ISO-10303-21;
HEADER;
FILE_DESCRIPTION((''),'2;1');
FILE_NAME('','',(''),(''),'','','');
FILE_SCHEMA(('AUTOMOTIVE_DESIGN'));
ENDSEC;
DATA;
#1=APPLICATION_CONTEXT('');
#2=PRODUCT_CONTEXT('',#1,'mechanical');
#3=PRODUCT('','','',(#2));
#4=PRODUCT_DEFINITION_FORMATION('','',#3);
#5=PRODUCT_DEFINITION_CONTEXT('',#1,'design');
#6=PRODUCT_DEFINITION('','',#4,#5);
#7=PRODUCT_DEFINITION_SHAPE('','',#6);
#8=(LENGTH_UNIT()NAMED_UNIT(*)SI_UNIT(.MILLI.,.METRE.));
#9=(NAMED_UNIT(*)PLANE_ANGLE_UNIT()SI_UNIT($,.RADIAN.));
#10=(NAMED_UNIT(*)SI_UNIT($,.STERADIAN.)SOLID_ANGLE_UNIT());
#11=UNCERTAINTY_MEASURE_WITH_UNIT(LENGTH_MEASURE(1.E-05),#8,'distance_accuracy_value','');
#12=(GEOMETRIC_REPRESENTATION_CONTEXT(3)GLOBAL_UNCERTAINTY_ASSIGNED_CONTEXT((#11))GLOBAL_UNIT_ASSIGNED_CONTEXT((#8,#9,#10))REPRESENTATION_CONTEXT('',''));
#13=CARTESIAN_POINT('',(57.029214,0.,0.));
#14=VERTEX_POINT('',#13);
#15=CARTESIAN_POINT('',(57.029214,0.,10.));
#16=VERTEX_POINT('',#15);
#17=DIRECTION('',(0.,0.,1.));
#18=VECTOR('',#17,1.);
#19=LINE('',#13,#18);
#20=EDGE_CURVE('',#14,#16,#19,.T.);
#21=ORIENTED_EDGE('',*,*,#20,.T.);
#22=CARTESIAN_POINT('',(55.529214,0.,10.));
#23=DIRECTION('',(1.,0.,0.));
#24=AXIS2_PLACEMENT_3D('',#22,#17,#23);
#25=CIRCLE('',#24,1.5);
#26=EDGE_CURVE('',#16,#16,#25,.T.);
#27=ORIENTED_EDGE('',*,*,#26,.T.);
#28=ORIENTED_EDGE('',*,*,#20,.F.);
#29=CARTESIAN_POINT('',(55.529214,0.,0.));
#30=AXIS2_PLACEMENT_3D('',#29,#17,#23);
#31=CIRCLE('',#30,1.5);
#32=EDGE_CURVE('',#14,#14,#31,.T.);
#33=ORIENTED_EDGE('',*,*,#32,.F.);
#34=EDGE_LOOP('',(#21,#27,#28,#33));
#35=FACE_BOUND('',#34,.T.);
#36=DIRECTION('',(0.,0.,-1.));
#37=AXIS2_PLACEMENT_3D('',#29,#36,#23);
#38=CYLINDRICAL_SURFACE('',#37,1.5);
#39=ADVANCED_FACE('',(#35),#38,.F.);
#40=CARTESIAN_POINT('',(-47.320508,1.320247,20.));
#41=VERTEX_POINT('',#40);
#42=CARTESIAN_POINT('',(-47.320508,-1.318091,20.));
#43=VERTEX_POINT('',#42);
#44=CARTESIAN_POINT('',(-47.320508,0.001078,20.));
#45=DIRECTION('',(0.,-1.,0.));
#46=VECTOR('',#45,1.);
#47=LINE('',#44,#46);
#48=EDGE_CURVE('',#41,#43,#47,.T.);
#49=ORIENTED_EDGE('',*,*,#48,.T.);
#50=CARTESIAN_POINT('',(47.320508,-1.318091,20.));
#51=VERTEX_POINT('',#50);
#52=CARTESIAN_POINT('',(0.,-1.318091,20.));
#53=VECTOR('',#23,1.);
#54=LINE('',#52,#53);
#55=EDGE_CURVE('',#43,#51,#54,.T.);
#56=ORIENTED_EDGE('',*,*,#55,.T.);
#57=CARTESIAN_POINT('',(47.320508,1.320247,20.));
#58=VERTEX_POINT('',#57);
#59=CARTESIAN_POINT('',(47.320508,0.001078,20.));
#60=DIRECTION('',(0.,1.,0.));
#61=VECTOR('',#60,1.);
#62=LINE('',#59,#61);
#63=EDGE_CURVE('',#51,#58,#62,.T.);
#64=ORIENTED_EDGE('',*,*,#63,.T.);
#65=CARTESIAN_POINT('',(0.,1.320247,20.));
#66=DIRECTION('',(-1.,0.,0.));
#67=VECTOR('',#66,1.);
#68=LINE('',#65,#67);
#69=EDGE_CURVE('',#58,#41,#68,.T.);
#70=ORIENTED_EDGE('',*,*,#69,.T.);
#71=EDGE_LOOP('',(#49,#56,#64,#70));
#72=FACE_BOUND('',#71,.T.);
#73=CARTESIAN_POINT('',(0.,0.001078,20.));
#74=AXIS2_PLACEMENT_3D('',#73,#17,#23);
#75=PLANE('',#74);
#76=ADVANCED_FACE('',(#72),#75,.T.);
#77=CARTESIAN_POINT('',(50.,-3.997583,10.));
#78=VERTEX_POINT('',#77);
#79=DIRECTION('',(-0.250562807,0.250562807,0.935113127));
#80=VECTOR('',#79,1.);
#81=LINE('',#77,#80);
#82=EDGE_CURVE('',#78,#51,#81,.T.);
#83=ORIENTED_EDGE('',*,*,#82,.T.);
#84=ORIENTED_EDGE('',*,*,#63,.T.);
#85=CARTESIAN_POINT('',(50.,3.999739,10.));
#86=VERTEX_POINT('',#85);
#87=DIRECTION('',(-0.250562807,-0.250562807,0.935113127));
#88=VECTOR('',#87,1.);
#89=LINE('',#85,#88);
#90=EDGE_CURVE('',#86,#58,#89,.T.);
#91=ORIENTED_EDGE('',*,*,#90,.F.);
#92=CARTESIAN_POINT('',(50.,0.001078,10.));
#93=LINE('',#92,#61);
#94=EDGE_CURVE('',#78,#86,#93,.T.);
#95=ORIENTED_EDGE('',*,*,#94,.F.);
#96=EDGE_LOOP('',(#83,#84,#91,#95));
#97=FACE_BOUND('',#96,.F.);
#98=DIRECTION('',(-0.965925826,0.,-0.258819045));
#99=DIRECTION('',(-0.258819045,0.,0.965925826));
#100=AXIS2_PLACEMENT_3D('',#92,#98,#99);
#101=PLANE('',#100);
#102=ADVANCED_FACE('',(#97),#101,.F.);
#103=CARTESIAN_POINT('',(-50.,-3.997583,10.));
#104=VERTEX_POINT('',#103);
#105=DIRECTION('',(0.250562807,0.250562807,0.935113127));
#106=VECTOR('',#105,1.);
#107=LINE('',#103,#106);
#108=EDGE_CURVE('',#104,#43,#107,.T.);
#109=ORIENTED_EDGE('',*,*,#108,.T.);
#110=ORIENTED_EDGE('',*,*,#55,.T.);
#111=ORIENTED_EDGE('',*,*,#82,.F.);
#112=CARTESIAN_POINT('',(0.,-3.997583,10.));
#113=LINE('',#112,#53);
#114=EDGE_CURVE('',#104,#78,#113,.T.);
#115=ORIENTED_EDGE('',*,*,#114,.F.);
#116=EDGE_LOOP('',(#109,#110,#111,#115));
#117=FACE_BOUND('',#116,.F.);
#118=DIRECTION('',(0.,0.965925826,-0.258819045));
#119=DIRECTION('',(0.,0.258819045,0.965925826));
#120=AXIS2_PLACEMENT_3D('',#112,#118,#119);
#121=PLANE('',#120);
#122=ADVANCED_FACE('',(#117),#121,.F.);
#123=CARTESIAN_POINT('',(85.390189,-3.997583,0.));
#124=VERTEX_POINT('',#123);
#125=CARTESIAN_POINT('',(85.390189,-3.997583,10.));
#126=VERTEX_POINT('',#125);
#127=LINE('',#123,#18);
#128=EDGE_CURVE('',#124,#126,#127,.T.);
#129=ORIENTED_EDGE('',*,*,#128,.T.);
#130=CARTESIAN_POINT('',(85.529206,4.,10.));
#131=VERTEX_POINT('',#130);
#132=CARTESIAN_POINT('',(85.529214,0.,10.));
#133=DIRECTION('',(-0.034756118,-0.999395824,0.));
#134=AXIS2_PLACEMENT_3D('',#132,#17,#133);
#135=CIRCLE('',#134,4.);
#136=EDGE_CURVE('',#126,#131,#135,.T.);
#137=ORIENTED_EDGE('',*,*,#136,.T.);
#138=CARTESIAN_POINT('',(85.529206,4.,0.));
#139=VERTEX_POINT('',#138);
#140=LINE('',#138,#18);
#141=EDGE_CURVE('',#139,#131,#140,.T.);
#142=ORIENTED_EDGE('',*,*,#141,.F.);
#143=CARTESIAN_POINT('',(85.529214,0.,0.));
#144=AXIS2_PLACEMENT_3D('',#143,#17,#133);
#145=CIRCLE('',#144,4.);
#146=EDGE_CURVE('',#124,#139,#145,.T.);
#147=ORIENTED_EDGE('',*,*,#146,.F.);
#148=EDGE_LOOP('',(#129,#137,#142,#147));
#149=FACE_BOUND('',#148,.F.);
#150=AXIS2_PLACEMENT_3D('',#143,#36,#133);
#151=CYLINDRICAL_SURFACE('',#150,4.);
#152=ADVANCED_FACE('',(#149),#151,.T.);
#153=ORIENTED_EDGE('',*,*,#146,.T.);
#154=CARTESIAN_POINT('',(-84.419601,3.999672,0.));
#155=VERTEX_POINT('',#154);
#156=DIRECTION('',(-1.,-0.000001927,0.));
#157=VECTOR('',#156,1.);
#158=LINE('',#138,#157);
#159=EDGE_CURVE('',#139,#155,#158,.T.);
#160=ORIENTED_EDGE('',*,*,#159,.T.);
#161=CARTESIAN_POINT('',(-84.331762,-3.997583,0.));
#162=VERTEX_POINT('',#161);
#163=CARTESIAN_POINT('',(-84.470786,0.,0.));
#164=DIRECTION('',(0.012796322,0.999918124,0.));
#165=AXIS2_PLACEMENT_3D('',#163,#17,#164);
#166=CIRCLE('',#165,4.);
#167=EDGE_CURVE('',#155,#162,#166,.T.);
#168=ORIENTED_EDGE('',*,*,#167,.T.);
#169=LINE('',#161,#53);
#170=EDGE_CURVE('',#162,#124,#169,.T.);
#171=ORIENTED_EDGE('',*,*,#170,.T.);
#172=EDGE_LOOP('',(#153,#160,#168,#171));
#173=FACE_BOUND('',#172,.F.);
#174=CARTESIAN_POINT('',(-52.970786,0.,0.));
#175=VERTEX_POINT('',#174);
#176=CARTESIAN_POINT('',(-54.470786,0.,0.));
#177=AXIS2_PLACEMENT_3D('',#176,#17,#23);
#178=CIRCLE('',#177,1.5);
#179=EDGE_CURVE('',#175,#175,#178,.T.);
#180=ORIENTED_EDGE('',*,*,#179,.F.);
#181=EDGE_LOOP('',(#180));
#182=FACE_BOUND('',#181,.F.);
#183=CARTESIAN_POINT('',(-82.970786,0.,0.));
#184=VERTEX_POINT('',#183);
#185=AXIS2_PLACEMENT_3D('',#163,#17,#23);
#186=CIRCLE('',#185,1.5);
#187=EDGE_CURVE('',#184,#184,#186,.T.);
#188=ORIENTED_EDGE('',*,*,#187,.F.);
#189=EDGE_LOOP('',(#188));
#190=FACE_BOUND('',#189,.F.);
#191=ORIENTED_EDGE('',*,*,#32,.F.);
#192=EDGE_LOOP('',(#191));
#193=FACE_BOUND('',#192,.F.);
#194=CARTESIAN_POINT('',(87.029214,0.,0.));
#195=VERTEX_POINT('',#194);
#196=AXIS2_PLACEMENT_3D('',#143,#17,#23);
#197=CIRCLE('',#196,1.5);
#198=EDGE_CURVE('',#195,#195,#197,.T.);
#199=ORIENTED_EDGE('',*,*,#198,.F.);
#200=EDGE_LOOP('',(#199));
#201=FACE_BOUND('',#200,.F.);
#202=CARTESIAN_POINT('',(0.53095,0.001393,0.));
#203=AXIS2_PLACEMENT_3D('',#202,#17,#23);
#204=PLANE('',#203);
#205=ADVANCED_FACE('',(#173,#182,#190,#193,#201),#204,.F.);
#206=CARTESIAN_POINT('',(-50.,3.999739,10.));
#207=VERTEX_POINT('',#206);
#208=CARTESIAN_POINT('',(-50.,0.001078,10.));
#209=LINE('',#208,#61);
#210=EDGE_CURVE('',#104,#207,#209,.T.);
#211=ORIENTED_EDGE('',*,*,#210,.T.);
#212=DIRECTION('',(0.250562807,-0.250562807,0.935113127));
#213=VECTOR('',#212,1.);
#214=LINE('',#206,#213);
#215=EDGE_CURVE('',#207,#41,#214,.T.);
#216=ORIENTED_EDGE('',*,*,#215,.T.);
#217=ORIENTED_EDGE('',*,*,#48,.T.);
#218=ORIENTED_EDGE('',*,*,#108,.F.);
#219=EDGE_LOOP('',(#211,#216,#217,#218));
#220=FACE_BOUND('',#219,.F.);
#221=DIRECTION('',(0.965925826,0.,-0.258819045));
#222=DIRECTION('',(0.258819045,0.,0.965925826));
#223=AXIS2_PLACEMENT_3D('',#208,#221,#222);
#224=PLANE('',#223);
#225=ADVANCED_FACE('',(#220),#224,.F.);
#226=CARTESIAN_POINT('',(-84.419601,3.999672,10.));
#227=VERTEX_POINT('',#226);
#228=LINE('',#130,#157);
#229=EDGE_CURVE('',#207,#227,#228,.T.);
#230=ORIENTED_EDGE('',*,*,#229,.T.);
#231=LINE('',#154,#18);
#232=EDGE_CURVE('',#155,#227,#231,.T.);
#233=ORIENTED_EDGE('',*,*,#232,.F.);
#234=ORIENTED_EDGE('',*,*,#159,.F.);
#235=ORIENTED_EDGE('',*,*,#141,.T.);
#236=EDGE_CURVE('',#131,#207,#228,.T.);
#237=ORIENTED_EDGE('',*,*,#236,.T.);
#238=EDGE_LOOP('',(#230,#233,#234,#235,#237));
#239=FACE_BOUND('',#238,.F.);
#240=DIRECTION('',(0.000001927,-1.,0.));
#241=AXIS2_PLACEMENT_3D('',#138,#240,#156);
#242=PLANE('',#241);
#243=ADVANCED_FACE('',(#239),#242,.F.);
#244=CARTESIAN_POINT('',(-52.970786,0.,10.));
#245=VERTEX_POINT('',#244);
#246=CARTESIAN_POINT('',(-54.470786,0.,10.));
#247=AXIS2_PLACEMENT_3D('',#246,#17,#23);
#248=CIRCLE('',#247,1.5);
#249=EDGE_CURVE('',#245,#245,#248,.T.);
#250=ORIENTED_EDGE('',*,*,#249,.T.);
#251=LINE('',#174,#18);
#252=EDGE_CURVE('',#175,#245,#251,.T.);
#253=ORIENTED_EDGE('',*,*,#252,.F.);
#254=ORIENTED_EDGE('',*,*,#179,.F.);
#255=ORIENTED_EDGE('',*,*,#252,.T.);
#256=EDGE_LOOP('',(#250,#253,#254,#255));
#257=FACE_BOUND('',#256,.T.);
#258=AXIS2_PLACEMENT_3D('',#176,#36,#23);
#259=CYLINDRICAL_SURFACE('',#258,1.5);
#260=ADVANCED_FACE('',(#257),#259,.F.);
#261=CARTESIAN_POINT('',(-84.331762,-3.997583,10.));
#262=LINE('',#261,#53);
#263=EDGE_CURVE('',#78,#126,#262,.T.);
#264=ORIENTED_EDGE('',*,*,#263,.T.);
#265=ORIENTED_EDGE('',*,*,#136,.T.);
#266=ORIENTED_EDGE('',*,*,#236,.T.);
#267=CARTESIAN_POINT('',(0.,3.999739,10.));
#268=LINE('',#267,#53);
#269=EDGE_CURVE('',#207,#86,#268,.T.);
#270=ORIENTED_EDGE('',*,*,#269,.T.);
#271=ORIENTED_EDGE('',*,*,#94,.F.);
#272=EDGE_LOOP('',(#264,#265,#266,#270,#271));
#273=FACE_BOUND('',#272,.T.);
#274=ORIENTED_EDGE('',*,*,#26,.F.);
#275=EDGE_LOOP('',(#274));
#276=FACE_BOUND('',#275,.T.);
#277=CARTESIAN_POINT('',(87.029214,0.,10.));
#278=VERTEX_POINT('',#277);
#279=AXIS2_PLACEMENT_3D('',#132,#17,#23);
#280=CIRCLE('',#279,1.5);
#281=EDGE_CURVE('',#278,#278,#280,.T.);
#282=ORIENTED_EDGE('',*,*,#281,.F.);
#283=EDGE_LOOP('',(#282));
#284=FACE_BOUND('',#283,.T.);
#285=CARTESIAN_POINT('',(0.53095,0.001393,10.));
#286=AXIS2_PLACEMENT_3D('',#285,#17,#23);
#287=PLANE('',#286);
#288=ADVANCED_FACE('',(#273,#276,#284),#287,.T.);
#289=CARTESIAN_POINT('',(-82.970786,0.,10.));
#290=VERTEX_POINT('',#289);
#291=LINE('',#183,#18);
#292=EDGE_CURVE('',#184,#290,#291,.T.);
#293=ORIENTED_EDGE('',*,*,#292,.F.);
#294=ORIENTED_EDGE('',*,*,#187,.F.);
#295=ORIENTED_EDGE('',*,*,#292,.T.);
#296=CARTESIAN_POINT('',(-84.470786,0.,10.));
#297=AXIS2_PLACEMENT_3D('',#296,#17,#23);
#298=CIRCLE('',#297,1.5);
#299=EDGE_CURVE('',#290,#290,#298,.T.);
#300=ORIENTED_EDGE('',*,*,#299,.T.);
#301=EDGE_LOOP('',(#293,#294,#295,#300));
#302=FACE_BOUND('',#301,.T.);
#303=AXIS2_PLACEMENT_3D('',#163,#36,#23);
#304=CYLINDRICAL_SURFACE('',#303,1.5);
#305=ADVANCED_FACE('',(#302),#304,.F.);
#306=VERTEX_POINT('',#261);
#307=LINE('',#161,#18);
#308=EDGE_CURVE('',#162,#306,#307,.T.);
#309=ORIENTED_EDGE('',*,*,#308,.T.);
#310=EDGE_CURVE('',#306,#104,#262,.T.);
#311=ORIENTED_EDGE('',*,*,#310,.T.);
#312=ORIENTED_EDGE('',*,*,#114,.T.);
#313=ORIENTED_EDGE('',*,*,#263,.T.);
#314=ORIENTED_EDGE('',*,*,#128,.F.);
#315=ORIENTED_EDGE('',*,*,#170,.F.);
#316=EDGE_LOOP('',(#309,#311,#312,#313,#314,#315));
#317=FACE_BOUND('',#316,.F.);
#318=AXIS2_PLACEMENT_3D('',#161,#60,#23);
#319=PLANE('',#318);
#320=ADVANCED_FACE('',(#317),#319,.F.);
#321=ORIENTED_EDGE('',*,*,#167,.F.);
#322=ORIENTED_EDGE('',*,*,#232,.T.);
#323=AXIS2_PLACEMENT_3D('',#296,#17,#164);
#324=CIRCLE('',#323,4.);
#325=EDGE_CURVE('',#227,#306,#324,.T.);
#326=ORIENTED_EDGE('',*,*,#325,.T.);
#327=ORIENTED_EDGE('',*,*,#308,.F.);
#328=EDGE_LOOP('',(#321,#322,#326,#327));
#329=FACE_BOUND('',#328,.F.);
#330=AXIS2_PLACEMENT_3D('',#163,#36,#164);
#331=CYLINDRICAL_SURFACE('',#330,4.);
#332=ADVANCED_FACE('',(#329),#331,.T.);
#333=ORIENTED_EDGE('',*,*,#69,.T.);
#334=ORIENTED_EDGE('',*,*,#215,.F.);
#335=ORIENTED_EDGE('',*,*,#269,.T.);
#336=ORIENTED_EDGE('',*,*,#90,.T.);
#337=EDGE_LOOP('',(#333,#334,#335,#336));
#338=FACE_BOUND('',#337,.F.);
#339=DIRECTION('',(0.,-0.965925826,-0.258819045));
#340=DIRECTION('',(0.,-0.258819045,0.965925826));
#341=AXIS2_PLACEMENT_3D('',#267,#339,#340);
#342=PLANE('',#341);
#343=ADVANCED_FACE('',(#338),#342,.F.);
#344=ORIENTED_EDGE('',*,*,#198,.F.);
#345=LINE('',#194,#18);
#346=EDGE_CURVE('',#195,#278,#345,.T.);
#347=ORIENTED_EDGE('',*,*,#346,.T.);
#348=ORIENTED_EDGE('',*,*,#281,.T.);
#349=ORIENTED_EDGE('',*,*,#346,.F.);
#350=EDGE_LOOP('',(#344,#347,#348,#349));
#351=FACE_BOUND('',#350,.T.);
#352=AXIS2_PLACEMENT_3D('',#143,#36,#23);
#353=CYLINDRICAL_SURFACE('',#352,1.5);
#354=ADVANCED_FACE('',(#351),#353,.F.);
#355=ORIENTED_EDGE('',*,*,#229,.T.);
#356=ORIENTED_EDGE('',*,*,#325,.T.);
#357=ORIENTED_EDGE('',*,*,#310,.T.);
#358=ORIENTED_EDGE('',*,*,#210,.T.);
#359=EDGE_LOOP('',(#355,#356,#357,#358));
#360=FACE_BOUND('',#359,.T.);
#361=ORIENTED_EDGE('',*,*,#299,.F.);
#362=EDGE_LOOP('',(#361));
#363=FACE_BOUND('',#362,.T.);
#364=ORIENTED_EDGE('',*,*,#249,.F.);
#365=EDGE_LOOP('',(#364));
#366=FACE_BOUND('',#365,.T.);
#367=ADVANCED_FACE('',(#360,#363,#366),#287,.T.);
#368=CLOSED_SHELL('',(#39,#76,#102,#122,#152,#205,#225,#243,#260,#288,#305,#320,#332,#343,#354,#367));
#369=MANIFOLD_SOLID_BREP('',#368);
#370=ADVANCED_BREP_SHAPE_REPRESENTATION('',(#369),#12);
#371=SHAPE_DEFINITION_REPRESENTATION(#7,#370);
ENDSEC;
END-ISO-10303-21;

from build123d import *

# Parameters (mm, degrees)
F0_R     = 1.5
F1_DEPTH = 10
F2_W     = 100
F2_H     = 7.9973221187
F3_DEPTH = 10
F3_TAPER = 15


with BuildPart() as f1:
    # F0 (on Top) → F1 (new body)
    with BuildSketch(Plane.XY):
        with BuildLine():
            Line((85.5292061374, 4), (-84.4196008664, 3.9996724949))
            ThreePointArc((-84.4196008664, 3.9996724949), (-88.4705448943, -0.0439320136), (-84.3317616809, -3.9975832944))
            Line((-84.3317616809, -3.9975832944), (85.3901893724, -3.9975832944))
            ThreePointArc((85.3901893724, -3.9975832944), (89.5286096907, -0.0695188849), (85.5292061374, 4))
        make_face()
        with Locations((-84.4707861543, 0)):
            Circle(F0_R, mode=Mode.SUBTRACT)
        with Locations((-54.4707861543, 0)):
            Circle(F0_R, mode=Mode.SUBTRACT)
        with Locations((55.5292138457, 0)):
            Circle(F0_R, mode=Mode.SUBTRACT)
        with Locations((85.5292138457, 0)):
            Circle(F0_R, mode=Mode.SUBTRACT)
    extrude(amount=F1_DEPTH)

    # F2 (on face) → F3 (join)
    with BuildSketch(Plane.XY.offset(10)):
        with Locations((0, 0.0010777649)):
            Rectangle(F2_W, F2_H)
    extrude(amount=F3_DEPTH, taper=F3_TAPER)


solid = f1.part
